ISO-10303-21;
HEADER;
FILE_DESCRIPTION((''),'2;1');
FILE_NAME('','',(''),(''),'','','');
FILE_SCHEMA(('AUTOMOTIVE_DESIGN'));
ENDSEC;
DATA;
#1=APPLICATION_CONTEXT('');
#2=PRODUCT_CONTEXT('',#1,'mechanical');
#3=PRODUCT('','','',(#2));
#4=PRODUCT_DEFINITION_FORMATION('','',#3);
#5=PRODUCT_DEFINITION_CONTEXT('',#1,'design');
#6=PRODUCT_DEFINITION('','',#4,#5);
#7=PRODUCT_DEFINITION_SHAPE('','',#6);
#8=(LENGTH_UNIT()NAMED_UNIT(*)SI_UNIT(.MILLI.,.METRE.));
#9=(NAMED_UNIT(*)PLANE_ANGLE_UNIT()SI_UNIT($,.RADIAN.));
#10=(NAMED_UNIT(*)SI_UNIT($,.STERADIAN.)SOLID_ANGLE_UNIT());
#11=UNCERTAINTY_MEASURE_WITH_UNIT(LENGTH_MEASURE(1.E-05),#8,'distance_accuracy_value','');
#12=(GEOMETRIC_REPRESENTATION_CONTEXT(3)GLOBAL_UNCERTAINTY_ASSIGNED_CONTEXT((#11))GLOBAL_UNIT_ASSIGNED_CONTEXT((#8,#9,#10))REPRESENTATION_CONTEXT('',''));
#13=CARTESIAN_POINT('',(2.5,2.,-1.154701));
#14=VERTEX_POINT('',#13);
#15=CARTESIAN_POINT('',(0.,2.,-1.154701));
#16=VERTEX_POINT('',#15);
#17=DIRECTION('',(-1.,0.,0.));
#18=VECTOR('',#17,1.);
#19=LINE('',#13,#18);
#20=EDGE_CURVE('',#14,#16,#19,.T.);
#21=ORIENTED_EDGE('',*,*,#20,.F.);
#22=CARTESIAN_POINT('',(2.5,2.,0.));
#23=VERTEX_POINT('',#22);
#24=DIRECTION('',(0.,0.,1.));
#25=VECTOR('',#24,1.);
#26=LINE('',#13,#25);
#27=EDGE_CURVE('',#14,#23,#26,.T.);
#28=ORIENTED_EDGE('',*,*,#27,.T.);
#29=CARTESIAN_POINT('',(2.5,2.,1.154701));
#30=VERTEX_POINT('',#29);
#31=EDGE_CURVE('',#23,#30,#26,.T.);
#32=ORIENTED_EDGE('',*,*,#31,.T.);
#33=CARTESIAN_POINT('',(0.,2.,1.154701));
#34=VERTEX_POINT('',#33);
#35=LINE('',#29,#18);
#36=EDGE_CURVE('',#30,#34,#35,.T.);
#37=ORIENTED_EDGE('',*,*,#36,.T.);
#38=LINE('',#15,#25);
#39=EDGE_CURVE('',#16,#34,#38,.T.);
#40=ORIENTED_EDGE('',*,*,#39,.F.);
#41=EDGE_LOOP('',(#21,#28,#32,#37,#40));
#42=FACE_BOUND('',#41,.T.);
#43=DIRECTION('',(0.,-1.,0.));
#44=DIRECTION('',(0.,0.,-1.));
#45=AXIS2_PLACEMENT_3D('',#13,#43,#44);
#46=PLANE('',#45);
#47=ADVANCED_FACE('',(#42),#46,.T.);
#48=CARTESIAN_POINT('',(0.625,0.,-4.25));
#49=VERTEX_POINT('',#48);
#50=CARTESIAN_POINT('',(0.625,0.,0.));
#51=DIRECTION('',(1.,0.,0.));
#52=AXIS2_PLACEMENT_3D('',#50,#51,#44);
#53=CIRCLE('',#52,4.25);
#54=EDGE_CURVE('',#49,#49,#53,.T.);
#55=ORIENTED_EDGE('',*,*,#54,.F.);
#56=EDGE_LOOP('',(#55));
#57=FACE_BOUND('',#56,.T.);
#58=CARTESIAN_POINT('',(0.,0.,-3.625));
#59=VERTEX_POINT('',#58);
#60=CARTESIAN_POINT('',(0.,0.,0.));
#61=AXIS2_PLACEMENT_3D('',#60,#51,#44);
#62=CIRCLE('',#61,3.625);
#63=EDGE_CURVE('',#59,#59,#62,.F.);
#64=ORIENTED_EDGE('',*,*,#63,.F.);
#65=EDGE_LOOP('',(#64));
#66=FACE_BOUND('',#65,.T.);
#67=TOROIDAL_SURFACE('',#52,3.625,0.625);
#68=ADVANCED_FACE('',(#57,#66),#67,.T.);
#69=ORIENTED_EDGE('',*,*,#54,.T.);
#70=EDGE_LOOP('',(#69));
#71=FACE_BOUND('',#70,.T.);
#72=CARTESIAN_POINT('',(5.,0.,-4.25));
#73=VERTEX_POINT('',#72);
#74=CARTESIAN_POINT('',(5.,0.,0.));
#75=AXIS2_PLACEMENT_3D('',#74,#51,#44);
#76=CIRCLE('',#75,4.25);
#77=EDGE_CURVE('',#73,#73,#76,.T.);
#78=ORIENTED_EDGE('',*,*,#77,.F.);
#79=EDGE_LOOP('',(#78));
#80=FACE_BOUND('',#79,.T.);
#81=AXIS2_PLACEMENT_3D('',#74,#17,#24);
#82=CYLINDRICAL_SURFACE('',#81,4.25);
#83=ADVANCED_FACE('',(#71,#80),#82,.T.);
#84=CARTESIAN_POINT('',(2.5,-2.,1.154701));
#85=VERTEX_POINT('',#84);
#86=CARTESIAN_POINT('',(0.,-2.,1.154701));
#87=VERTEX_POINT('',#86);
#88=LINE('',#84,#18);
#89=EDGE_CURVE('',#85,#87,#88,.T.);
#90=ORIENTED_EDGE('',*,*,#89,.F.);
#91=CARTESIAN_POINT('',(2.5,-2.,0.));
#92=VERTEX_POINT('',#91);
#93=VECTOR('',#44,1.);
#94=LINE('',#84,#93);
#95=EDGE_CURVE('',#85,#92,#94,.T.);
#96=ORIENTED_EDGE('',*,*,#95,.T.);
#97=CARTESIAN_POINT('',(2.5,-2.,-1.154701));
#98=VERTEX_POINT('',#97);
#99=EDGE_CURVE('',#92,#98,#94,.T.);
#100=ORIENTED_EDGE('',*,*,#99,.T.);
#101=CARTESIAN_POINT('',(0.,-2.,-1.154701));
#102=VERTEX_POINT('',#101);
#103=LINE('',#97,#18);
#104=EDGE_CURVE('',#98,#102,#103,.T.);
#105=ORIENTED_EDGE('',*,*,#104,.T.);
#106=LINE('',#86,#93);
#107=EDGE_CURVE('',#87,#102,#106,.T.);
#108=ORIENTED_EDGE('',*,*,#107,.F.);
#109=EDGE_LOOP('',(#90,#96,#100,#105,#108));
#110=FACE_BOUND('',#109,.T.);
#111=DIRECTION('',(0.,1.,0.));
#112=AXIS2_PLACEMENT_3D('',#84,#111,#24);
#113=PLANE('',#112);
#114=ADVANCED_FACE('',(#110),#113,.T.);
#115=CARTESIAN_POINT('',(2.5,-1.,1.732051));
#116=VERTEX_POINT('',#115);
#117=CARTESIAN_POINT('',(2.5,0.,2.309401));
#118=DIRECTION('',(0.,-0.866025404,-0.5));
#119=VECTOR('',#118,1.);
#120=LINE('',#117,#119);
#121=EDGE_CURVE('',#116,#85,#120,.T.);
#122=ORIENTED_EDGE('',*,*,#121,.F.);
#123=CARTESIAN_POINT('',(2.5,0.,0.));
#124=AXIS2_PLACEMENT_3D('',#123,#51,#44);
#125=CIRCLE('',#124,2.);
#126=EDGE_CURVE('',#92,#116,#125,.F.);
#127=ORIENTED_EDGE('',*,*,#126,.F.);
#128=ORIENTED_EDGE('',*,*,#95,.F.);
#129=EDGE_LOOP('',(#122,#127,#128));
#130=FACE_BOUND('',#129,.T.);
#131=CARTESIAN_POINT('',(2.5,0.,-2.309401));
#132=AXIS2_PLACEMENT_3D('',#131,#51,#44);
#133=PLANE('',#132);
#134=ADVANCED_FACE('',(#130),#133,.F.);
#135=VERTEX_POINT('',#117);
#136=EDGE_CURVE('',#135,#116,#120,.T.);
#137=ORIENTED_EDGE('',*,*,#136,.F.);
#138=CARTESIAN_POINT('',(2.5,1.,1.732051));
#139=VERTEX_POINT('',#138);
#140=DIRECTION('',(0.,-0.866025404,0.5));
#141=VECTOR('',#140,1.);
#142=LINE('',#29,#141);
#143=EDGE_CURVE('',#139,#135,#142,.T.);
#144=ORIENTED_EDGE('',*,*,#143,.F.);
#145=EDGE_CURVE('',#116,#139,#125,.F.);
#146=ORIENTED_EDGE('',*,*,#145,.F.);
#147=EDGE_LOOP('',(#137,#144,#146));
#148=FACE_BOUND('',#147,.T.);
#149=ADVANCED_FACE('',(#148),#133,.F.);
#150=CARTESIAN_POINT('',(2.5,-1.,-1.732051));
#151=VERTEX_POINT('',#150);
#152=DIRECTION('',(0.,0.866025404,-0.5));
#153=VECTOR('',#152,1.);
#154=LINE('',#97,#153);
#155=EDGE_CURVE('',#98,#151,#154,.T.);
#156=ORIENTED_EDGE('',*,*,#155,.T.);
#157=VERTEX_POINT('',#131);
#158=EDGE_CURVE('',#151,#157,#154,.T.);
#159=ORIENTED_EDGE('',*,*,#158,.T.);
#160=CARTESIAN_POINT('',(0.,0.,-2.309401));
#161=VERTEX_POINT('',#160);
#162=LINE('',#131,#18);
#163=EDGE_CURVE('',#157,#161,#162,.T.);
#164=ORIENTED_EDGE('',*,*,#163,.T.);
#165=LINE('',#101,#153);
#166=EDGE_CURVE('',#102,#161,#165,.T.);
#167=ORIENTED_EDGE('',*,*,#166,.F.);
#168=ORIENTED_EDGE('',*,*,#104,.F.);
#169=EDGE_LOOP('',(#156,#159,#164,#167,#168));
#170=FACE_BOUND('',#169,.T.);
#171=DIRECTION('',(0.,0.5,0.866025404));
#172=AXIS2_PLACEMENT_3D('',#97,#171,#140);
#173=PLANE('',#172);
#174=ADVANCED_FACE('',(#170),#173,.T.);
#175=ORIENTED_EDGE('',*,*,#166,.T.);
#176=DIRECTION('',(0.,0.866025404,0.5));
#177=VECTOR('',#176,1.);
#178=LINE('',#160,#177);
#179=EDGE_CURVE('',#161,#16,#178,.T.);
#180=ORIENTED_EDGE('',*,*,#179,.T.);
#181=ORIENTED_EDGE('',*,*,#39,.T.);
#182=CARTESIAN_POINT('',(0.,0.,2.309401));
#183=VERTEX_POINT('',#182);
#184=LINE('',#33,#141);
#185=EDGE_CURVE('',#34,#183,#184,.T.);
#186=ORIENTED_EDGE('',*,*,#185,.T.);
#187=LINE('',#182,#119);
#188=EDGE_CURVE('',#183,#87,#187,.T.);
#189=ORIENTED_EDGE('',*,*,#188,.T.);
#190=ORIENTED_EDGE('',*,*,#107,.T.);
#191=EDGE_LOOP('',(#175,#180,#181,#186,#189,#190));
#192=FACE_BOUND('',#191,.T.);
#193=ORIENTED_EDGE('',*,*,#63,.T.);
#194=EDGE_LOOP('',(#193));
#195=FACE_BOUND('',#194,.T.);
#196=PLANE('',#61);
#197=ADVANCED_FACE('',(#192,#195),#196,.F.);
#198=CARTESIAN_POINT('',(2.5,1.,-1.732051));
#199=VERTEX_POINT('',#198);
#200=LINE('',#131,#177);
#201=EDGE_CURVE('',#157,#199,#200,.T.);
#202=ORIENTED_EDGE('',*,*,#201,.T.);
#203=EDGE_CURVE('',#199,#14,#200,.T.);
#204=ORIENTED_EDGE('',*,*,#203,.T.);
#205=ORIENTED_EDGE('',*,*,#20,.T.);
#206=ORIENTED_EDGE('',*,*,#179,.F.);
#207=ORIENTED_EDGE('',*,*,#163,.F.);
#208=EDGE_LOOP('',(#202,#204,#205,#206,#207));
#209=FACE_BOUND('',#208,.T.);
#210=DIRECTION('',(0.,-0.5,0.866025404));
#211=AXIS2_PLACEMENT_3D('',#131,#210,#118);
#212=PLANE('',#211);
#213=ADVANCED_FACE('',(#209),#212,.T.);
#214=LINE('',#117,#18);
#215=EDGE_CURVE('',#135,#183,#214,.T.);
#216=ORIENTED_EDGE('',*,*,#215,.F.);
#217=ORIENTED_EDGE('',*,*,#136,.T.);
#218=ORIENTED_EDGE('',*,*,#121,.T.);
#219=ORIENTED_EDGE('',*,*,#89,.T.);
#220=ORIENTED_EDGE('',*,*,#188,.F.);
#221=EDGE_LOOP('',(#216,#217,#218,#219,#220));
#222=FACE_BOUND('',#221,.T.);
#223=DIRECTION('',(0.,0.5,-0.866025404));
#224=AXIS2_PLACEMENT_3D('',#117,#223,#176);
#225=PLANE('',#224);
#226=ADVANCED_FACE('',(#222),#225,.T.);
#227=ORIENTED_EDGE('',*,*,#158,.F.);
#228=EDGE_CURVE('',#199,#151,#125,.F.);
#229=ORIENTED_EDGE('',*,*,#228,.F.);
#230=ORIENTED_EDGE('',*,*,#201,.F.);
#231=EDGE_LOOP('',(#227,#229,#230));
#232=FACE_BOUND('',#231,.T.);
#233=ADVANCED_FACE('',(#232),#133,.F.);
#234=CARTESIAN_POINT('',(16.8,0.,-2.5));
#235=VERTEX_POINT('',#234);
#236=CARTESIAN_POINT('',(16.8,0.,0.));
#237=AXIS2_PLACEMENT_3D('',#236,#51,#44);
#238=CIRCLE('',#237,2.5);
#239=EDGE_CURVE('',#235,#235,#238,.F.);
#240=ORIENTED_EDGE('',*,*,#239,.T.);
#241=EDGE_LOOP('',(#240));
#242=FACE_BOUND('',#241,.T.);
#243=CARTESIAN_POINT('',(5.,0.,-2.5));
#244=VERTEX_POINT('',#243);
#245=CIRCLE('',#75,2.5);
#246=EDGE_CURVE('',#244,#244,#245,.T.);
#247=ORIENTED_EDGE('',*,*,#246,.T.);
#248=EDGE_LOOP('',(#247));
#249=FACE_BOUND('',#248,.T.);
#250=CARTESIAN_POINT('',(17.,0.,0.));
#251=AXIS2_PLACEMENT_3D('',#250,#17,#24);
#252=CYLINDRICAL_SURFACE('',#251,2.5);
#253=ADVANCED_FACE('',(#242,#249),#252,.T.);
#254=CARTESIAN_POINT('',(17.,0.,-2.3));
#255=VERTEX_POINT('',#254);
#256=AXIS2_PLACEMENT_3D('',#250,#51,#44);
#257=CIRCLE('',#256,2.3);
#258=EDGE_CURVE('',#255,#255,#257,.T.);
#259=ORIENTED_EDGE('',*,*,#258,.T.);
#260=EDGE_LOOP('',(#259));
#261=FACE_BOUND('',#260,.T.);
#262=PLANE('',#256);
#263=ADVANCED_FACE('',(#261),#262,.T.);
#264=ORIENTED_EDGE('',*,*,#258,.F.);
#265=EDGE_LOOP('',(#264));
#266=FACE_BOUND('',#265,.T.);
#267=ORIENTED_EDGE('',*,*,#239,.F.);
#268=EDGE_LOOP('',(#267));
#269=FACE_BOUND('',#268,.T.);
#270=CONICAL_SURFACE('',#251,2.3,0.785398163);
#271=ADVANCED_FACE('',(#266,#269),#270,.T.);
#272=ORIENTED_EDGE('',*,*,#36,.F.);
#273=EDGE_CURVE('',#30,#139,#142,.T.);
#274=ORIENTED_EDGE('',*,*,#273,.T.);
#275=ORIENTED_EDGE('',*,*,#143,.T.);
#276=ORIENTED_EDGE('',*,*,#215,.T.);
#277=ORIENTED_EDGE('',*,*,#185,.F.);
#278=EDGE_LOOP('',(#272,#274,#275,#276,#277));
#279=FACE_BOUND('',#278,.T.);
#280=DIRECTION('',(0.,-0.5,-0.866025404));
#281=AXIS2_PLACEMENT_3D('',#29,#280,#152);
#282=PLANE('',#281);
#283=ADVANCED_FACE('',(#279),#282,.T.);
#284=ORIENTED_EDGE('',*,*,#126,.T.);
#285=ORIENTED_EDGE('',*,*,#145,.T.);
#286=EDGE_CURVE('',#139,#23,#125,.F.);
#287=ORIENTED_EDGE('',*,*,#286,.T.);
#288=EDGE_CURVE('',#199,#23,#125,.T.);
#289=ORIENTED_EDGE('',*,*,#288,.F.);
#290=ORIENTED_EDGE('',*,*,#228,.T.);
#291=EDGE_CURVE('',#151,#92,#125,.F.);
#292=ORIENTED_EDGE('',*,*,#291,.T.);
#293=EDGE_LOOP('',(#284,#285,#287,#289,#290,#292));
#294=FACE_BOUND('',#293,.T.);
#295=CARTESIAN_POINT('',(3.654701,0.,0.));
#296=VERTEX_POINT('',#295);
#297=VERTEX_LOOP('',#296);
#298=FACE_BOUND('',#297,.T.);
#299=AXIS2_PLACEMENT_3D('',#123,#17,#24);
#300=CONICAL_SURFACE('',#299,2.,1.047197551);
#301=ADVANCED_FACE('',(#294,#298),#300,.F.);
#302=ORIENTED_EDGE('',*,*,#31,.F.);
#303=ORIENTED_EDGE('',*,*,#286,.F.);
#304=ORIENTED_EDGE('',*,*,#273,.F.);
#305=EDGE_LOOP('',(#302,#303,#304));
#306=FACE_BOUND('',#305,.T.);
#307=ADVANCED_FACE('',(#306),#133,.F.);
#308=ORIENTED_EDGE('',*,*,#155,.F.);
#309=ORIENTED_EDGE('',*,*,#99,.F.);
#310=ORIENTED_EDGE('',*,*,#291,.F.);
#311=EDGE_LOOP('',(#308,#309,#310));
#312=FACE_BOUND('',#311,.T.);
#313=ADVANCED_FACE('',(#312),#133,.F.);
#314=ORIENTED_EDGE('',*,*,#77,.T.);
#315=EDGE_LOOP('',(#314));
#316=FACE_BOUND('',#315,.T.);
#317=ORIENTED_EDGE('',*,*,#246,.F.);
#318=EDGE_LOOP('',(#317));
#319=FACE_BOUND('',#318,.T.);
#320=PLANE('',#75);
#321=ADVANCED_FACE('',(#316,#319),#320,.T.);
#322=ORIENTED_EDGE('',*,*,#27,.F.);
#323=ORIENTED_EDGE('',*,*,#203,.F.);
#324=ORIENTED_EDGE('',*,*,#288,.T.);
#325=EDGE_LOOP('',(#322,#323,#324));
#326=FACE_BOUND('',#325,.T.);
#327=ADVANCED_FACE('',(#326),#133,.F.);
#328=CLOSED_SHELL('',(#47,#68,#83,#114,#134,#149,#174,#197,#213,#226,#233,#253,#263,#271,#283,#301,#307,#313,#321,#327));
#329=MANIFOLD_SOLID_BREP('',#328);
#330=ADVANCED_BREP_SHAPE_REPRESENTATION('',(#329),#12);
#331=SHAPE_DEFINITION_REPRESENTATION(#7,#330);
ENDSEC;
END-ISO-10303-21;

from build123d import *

# Parameters (mm, degrees)
SKETCH1_R           = 4.25
BASEHEAD_DEPTH      = 5
SKETCH2_R           = 2.5
BASEBODY_DEPTH      = 12
HEXAGONSOCKET_DEPTH = 2.5
TOPFILLET_R         = 0.625
CHAMFER1_SIZE       = 0.2


with BuildPart() as part:
    # Sketch1 → BaseHead (new body)
    with BuildSketch(Plane(origin=(0, 0, 0), x_dir=(0, 0, -1), z_dir=(1, 0, 0))):
        Circle(SKETCH1_R)
    extrude(amount=BASEHEAD_DEPTH)

    # Sketch2 → BaseBody (add)
    with BuildSketch(Plane(origin=(5, 0, 0), x_dir=(0, 0, -1), z_dir=(1, 0, 0))):
        Circle(SKETCH2_R)
    extrude(amount=BASEBODY_DEPTH)

    # Sketch3 → HexagonSocket (cut)
    with BuildSketch(Plane(origin=(0, 0, 0), x_dir=(0, 0, -1), z_dir=(1, 0, 0))):
        Polygon((2.309401077, 0), (1.154700538, 2), (-1.154700538, 2), (-2.309401077, 0), (-1.154700538, -2), (1.154700538, -2), align=None)
    extrude(amount=HEXAGONSOCKET_DEPTH, mode=Mode.SUBTRACT)

    # Sketch4 → Cut-Revolve1 (revolve, cut)
    with BuildSketch(Plane(origin=(-4.19613823, 0.75, 0), x_dir=(-1, 0, 0), z_dir=(0, 0, 1))):
        Polygon((-6.69613823, 2.75), (-7.850838768, 0.75), (-6.69613823, 0.75), align=None)
    revolve(axis=Axis((0.838992387, 0, 0), (-1, 0, 0)), mode=Mode.SUBTRACT)

    # TopFillet
    topfillet_edges = [part.edges().sort_by_distance(p)[0] for p in [
        (0, 0, 4.25),
    ]]
    fillet(topfillet_edges, radius=TOPFILLET_R)

    # Chamfer1
    chamfer1_edges = [part.edges().sort_by_distance(p)[0] for p in [
        (17, 0, 2.5),
    ]]
    chamfer(chamfer1_edges, length=CHAMFER1_SIZE)


solid = part.part
